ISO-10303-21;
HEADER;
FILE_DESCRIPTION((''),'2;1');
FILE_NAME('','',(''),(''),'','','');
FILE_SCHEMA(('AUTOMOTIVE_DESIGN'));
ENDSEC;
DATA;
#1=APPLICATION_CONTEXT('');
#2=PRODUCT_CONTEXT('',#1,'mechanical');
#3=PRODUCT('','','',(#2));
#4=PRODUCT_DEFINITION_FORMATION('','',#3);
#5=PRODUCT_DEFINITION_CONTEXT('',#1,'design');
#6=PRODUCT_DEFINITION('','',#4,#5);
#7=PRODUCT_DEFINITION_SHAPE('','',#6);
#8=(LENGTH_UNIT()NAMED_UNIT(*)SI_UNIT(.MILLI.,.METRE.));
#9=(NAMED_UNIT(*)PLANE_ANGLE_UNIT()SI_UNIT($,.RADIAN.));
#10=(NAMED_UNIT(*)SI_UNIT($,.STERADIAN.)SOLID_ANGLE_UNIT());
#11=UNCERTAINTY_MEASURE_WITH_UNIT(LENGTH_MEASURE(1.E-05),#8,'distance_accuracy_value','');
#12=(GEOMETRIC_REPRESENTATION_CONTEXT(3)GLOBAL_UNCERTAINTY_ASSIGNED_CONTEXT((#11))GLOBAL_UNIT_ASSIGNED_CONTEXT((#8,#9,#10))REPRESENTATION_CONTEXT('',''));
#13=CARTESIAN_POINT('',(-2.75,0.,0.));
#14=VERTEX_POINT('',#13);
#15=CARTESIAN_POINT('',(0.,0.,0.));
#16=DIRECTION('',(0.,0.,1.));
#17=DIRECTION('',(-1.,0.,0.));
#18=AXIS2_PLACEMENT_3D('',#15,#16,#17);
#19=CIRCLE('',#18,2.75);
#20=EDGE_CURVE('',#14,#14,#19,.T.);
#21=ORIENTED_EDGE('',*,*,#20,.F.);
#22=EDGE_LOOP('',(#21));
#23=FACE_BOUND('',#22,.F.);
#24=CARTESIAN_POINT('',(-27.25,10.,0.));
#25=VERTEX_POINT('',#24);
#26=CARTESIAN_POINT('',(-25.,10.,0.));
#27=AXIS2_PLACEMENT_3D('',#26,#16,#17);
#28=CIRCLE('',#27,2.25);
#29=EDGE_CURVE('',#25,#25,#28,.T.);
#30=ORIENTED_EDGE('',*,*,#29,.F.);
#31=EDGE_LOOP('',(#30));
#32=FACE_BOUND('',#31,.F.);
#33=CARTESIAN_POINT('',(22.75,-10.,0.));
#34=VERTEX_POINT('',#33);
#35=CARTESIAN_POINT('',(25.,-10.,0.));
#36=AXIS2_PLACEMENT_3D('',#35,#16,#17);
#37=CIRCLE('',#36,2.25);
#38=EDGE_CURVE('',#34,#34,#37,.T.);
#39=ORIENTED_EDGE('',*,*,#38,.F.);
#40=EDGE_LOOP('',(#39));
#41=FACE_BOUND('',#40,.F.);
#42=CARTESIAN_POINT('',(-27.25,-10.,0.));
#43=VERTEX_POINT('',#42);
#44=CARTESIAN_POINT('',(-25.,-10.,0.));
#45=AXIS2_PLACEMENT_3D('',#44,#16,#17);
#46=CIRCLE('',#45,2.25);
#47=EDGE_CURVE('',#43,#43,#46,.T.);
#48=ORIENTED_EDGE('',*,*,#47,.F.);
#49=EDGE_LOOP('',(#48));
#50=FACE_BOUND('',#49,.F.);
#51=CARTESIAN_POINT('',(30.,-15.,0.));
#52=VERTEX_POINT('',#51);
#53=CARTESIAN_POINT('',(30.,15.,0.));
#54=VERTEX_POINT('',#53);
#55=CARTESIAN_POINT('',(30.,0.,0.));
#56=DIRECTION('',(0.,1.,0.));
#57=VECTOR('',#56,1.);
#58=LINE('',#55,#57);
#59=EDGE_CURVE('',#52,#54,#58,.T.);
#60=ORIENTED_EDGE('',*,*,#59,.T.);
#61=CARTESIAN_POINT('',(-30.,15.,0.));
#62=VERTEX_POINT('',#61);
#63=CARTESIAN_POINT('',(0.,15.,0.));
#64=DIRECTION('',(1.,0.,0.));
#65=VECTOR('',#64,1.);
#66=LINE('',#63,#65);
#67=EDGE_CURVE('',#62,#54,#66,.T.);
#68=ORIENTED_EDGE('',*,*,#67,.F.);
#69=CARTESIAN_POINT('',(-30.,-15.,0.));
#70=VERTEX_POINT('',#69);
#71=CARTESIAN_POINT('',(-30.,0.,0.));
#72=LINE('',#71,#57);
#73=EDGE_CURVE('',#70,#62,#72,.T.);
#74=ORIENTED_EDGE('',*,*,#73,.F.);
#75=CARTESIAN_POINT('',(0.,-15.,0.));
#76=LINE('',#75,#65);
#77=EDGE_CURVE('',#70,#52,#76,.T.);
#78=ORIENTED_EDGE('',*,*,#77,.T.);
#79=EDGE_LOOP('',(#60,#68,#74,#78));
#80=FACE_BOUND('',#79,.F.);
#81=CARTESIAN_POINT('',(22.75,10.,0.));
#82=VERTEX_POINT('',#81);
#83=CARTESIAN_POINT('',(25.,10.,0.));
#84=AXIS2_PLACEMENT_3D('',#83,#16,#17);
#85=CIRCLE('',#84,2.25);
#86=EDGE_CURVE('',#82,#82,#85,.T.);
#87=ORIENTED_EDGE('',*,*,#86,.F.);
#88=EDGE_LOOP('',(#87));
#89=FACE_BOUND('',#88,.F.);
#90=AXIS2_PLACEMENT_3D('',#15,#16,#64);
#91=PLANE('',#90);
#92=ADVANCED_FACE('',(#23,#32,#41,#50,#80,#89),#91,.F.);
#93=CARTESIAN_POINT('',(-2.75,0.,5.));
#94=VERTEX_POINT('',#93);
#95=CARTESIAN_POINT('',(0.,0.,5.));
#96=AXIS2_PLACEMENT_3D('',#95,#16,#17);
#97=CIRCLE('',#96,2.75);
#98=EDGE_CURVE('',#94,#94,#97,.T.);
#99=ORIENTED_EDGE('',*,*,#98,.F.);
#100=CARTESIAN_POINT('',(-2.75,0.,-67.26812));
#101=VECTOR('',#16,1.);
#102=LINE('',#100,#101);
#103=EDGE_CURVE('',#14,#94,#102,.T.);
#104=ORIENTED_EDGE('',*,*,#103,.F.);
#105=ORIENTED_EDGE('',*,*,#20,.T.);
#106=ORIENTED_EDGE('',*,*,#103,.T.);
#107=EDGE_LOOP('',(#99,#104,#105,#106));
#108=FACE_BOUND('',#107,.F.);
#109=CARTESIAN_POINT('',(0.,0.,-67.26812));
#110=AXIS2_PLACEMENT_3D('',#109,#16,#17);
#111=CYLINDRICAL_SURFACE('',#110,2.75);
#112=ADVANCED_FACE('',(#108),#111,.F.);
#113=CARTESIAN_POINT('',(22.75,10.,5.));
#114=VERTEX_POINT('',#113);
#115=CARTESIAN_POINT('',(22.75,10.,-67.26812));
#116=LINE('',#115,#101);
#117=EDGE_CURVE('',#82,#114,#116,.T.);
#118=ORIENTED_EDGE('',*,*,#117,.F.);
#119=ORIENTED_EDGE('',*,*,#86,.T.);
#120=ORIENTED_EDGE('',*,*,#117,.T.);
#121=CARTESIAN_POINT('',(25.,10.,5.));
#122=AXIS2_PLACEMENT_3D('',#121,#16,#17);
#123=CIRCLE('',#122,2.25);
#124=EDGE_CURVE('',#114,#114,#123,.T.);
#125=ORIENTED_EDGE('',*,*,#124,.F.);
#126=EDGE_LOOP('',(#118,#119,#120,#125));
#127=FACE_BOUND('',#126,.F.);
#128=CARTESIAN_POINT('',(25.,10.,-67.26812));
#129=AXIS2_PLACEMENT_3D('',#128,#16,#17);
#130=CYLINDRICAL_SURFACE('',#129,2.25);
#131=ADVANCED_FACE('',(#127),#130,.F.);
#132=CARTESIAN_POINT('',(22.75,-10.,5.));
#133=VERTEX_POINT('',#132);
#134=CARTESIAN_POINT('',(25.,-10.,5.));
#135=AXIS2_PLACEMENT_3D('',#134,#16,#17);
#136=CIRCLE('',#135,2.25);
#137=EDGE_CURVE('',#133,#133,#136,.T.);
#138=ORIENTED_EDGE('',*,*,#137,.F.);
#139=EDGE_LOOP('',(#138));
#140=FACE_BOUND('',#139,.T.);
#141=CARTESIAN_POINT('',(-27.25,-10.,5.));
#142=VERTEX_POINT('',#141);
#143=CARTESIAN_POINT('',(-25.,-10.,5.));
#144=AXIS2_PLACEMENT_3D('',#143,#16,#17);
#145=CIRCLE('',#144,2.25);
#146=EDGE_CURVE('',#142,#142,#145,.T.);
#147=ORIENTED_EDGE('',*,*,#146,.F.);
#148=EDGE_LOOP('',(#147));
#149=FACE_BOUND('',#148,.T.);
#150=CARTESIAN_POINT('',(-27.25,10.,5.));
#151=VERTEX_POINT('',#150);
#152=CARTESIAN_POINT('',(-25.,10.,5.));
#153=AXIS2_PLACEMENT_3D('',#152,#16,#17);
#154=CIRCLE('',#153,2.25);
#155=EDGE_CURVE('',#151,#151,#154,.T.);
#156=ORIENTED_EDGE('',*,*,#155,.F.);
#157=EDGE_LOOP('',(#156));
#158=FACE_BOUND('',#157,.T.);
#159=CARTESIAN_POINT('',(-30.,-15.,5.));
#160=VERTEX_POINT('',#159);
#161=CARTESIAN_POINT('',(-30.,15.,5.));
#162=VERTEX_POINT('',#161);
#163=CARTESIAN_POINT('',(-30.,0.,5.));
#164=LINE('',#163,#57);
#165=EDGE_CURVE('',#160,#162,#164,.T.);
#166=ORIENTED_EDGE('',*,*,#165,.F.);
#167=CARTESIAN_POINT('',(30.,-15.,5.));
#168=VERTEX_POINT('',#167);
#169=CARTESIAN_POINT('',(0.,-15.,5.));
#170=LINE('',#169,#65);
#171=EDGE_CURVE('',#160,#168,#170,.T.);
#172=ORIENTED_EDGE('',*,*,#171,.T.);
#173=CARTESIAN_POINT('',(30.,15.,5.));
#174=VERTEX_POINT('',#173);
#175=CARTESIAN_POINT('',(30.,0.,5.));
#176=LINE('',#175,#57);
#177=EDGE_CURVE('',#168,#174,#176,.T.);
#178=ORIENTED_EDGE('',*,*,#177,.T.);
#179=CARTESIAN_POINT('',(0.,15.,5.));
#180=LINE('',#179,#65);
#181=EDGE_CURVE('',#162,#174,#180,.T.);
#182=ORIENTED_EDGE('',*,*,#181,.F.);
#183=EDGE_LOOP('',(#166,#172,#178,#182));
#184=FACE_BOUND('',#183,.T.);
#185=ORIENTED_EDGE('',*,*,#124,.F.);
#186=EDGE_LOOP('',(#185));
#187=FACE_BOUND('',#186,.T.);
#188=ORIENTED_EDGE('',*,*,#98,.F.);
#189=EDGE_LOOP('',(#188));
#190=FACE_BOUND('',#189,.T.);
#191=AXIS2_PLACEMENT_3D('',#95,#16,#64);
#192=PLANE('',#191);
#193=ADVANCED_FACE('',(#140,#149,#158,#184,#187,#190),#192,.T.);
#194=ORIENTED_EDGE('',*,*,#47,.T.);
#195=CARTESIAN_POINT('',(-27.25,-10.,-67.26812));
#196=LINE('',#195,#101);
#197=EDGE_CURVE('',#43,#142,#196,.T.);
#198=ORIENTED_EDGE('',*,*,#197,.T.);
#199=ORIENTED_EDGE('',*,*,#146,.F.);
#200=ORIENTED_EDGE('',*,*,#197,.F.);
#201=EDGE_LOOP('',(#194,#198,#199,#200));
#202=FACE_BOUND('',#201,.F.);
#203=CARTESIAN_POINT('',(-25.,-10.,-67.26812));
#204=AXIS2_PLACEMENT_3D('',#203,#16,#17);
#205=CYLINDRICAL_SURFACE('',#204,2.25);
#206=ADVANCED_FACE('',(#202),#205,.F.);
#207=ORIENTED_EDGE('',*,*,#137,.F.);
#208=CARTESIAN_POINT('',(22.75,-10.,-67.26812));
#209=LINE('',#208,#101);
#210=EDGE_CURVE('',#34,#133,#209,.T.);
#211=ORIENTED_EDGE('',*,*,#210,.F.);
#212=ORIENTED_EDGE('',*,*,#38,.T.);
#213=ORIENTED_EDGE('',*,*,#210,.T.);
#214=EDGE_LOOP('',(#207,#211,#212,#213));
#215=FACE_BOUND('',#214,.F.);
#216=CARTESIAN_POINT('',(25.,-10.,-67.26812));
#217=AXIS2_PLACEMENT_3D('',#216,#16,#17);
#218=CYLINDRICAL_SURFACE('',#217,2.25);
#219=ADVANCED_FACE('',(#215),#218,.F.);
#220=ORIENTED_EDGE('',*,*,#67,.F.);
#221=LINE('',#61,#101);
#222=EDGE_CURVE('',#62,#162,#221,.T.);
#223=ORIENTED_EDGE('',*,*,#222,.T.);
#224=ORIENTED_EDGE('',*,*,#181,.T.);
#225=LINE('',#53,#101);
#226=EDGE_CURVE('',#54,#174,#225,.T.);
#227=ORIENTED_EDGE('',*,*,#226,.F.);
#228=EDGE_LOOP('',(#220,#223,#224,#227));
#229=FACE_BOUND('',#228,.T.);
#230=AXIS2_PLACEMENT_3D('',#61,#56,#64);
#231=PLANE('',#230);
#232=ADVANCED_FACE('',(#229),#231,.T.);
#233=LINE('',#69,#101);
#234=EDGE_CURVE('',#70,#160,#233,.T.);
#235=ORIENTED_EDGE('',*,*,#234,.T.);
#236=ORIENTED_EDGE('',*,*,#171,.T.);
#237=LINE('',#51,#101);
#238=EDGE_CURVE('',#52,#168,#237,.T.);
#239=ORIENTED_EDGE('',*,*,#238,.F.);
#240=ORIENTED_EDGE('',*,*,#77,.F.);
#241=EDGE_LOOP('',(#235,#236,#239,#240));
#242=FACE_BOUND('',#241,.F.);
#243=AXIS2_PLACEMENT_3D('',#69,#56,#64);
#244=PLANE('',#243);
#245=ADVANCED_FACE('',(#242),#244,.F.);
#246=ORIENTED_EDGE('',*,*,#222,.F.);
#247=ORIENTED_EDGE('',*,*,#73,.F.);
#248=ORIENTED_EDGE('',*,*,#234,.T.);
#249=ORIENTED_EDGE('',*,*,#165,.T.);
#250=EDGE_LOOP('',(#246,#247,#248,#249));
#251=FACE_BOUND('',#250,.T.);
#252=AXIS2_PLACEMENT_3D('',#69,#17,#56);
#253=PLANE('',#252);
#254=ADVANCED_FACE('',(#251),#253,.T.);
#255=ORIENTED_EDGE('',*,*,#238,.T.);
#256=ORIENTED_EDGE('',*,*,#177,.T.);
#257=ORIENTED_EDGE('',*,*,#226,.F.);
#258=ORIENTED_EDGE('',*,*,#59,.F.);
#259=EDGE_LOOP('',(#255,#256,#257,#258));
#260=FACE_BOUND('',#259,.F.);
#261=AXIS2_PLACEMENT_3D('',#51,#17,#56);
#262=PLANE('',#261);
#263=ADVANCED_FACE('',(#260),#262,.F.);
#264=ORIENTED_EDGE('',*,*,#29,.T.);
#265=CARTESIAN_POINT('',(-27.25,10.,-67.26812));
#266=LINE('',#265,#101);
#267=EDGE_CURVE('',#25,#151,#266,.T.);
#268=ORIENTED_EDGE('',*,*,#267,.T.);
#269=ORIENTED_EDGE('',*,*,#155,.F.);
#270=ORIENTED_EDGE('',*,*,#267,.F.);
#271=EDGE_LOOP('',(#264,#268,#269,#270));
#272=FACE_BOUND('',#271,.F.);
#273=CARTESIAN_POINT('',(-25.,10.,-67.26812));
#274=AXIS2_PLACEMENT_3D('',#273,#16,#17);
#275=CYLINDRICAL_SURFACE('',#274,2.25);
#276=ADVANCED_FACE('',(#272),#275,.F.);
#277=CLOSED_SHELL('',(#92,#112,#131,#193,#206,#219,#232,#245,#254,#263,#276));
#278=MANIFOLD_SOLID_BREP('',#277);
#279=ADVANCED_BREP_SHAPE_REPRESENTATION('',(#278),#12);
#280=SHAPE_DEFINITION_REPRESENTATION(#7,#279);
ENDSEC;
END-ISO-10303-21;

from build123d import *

# Parameters (mm, degrees)
F0_W     = 60
F0_H     = 30
F0_R     = 2.3276223463
F0_R_2   = 2.3015247155
F0_R_3   = 2.1862089509
F0_R_4   = 12
F0_R_5   = 1.5601782255
F1_DEPTH = 5
F2_D     = 4.5
F3_D     = 5.5


with BuildPart() as f1:
    # F0 (on Top) → F1 (new body)
    with BuildSketch(Plane.XY):
        Rectangle(F0_W, F0_H)
        with Locations((-25, -10)):
            Circle(F0_R, mode=Mode.SUBTRACT)
        with Locations((25, -10)):
            Circle(F0_R_2, mode=Mode.SUBTRACT)
        with Locations((-25, 10)):
            Circle(F0_R_3, mode=Mode.SUBTRACT)
        Circle(F0_R_4, mode=Mode.SUBTRACT)
        with Locations((25, 10)):
            Circle(F0_R_5, mode=Mode.SUBTRACT)
        Circle(F0_R_4)
        with BuildLine():
            ThreePointArc((-2.5620431112, -6.5142869983), (0.0664242114, 6.9996848375), (2.4379568888, -6.5617349999))
            Line((2.4379568888, -6.5617349999), (2.4379568888, -9.5))
            Line((2.4379568888, -9.5), (-2.5620431112, -9.5))
            Line((-2.5620431112, -9.5), (-2.5620431112, -6.5142869983))
        make_face(mode=Mode.SUBTRACT)
        with BuildLine():
            Line((2.4379568888, -9.5), (2.4379568888, -6.5617349999))
            ThreePointArc((2.4379568888, -6.5617349999), (0.0664242114, 6.9996848375), (-2.5620431112, -6.5142869983))
            Line((-2.5620431112, -6.5142869983), (-2.5620431112, -9.5))
            Line((-2.5620431112, -9.5), (2.4379568888, -9.5))
        make_face()
        with Locations((-25, -10)):
            Circle(F0_R)
        with Locations((25, -10)):
            Circle(F0_R_2)
        with Locations((-25, 10)):
            Circle(F0_R_3)
        with Locations((25, 10)):
            Circle(F0_R_5)
    extrude(amount=F1_DEPTH)

    # F2 (through all)
    with Locations(Plane(origin=(0, 0, 0), x_dir=(1, 0, 0), z_dir=(0, 0, -1))):
        with Locations((25, -10), (-25, -10), (-25, 10), (25, 10)):
            Hole(F2_D / 2)

    # F3 (through all)
    with Locations(Plane(origin=(0, 0, 0), x_dir=(1, 0, 0), z_dir=(0, 0, -1))):
        with Locations((0, 0)):
            Hole(F3_D / 2)


solid = f1.part
